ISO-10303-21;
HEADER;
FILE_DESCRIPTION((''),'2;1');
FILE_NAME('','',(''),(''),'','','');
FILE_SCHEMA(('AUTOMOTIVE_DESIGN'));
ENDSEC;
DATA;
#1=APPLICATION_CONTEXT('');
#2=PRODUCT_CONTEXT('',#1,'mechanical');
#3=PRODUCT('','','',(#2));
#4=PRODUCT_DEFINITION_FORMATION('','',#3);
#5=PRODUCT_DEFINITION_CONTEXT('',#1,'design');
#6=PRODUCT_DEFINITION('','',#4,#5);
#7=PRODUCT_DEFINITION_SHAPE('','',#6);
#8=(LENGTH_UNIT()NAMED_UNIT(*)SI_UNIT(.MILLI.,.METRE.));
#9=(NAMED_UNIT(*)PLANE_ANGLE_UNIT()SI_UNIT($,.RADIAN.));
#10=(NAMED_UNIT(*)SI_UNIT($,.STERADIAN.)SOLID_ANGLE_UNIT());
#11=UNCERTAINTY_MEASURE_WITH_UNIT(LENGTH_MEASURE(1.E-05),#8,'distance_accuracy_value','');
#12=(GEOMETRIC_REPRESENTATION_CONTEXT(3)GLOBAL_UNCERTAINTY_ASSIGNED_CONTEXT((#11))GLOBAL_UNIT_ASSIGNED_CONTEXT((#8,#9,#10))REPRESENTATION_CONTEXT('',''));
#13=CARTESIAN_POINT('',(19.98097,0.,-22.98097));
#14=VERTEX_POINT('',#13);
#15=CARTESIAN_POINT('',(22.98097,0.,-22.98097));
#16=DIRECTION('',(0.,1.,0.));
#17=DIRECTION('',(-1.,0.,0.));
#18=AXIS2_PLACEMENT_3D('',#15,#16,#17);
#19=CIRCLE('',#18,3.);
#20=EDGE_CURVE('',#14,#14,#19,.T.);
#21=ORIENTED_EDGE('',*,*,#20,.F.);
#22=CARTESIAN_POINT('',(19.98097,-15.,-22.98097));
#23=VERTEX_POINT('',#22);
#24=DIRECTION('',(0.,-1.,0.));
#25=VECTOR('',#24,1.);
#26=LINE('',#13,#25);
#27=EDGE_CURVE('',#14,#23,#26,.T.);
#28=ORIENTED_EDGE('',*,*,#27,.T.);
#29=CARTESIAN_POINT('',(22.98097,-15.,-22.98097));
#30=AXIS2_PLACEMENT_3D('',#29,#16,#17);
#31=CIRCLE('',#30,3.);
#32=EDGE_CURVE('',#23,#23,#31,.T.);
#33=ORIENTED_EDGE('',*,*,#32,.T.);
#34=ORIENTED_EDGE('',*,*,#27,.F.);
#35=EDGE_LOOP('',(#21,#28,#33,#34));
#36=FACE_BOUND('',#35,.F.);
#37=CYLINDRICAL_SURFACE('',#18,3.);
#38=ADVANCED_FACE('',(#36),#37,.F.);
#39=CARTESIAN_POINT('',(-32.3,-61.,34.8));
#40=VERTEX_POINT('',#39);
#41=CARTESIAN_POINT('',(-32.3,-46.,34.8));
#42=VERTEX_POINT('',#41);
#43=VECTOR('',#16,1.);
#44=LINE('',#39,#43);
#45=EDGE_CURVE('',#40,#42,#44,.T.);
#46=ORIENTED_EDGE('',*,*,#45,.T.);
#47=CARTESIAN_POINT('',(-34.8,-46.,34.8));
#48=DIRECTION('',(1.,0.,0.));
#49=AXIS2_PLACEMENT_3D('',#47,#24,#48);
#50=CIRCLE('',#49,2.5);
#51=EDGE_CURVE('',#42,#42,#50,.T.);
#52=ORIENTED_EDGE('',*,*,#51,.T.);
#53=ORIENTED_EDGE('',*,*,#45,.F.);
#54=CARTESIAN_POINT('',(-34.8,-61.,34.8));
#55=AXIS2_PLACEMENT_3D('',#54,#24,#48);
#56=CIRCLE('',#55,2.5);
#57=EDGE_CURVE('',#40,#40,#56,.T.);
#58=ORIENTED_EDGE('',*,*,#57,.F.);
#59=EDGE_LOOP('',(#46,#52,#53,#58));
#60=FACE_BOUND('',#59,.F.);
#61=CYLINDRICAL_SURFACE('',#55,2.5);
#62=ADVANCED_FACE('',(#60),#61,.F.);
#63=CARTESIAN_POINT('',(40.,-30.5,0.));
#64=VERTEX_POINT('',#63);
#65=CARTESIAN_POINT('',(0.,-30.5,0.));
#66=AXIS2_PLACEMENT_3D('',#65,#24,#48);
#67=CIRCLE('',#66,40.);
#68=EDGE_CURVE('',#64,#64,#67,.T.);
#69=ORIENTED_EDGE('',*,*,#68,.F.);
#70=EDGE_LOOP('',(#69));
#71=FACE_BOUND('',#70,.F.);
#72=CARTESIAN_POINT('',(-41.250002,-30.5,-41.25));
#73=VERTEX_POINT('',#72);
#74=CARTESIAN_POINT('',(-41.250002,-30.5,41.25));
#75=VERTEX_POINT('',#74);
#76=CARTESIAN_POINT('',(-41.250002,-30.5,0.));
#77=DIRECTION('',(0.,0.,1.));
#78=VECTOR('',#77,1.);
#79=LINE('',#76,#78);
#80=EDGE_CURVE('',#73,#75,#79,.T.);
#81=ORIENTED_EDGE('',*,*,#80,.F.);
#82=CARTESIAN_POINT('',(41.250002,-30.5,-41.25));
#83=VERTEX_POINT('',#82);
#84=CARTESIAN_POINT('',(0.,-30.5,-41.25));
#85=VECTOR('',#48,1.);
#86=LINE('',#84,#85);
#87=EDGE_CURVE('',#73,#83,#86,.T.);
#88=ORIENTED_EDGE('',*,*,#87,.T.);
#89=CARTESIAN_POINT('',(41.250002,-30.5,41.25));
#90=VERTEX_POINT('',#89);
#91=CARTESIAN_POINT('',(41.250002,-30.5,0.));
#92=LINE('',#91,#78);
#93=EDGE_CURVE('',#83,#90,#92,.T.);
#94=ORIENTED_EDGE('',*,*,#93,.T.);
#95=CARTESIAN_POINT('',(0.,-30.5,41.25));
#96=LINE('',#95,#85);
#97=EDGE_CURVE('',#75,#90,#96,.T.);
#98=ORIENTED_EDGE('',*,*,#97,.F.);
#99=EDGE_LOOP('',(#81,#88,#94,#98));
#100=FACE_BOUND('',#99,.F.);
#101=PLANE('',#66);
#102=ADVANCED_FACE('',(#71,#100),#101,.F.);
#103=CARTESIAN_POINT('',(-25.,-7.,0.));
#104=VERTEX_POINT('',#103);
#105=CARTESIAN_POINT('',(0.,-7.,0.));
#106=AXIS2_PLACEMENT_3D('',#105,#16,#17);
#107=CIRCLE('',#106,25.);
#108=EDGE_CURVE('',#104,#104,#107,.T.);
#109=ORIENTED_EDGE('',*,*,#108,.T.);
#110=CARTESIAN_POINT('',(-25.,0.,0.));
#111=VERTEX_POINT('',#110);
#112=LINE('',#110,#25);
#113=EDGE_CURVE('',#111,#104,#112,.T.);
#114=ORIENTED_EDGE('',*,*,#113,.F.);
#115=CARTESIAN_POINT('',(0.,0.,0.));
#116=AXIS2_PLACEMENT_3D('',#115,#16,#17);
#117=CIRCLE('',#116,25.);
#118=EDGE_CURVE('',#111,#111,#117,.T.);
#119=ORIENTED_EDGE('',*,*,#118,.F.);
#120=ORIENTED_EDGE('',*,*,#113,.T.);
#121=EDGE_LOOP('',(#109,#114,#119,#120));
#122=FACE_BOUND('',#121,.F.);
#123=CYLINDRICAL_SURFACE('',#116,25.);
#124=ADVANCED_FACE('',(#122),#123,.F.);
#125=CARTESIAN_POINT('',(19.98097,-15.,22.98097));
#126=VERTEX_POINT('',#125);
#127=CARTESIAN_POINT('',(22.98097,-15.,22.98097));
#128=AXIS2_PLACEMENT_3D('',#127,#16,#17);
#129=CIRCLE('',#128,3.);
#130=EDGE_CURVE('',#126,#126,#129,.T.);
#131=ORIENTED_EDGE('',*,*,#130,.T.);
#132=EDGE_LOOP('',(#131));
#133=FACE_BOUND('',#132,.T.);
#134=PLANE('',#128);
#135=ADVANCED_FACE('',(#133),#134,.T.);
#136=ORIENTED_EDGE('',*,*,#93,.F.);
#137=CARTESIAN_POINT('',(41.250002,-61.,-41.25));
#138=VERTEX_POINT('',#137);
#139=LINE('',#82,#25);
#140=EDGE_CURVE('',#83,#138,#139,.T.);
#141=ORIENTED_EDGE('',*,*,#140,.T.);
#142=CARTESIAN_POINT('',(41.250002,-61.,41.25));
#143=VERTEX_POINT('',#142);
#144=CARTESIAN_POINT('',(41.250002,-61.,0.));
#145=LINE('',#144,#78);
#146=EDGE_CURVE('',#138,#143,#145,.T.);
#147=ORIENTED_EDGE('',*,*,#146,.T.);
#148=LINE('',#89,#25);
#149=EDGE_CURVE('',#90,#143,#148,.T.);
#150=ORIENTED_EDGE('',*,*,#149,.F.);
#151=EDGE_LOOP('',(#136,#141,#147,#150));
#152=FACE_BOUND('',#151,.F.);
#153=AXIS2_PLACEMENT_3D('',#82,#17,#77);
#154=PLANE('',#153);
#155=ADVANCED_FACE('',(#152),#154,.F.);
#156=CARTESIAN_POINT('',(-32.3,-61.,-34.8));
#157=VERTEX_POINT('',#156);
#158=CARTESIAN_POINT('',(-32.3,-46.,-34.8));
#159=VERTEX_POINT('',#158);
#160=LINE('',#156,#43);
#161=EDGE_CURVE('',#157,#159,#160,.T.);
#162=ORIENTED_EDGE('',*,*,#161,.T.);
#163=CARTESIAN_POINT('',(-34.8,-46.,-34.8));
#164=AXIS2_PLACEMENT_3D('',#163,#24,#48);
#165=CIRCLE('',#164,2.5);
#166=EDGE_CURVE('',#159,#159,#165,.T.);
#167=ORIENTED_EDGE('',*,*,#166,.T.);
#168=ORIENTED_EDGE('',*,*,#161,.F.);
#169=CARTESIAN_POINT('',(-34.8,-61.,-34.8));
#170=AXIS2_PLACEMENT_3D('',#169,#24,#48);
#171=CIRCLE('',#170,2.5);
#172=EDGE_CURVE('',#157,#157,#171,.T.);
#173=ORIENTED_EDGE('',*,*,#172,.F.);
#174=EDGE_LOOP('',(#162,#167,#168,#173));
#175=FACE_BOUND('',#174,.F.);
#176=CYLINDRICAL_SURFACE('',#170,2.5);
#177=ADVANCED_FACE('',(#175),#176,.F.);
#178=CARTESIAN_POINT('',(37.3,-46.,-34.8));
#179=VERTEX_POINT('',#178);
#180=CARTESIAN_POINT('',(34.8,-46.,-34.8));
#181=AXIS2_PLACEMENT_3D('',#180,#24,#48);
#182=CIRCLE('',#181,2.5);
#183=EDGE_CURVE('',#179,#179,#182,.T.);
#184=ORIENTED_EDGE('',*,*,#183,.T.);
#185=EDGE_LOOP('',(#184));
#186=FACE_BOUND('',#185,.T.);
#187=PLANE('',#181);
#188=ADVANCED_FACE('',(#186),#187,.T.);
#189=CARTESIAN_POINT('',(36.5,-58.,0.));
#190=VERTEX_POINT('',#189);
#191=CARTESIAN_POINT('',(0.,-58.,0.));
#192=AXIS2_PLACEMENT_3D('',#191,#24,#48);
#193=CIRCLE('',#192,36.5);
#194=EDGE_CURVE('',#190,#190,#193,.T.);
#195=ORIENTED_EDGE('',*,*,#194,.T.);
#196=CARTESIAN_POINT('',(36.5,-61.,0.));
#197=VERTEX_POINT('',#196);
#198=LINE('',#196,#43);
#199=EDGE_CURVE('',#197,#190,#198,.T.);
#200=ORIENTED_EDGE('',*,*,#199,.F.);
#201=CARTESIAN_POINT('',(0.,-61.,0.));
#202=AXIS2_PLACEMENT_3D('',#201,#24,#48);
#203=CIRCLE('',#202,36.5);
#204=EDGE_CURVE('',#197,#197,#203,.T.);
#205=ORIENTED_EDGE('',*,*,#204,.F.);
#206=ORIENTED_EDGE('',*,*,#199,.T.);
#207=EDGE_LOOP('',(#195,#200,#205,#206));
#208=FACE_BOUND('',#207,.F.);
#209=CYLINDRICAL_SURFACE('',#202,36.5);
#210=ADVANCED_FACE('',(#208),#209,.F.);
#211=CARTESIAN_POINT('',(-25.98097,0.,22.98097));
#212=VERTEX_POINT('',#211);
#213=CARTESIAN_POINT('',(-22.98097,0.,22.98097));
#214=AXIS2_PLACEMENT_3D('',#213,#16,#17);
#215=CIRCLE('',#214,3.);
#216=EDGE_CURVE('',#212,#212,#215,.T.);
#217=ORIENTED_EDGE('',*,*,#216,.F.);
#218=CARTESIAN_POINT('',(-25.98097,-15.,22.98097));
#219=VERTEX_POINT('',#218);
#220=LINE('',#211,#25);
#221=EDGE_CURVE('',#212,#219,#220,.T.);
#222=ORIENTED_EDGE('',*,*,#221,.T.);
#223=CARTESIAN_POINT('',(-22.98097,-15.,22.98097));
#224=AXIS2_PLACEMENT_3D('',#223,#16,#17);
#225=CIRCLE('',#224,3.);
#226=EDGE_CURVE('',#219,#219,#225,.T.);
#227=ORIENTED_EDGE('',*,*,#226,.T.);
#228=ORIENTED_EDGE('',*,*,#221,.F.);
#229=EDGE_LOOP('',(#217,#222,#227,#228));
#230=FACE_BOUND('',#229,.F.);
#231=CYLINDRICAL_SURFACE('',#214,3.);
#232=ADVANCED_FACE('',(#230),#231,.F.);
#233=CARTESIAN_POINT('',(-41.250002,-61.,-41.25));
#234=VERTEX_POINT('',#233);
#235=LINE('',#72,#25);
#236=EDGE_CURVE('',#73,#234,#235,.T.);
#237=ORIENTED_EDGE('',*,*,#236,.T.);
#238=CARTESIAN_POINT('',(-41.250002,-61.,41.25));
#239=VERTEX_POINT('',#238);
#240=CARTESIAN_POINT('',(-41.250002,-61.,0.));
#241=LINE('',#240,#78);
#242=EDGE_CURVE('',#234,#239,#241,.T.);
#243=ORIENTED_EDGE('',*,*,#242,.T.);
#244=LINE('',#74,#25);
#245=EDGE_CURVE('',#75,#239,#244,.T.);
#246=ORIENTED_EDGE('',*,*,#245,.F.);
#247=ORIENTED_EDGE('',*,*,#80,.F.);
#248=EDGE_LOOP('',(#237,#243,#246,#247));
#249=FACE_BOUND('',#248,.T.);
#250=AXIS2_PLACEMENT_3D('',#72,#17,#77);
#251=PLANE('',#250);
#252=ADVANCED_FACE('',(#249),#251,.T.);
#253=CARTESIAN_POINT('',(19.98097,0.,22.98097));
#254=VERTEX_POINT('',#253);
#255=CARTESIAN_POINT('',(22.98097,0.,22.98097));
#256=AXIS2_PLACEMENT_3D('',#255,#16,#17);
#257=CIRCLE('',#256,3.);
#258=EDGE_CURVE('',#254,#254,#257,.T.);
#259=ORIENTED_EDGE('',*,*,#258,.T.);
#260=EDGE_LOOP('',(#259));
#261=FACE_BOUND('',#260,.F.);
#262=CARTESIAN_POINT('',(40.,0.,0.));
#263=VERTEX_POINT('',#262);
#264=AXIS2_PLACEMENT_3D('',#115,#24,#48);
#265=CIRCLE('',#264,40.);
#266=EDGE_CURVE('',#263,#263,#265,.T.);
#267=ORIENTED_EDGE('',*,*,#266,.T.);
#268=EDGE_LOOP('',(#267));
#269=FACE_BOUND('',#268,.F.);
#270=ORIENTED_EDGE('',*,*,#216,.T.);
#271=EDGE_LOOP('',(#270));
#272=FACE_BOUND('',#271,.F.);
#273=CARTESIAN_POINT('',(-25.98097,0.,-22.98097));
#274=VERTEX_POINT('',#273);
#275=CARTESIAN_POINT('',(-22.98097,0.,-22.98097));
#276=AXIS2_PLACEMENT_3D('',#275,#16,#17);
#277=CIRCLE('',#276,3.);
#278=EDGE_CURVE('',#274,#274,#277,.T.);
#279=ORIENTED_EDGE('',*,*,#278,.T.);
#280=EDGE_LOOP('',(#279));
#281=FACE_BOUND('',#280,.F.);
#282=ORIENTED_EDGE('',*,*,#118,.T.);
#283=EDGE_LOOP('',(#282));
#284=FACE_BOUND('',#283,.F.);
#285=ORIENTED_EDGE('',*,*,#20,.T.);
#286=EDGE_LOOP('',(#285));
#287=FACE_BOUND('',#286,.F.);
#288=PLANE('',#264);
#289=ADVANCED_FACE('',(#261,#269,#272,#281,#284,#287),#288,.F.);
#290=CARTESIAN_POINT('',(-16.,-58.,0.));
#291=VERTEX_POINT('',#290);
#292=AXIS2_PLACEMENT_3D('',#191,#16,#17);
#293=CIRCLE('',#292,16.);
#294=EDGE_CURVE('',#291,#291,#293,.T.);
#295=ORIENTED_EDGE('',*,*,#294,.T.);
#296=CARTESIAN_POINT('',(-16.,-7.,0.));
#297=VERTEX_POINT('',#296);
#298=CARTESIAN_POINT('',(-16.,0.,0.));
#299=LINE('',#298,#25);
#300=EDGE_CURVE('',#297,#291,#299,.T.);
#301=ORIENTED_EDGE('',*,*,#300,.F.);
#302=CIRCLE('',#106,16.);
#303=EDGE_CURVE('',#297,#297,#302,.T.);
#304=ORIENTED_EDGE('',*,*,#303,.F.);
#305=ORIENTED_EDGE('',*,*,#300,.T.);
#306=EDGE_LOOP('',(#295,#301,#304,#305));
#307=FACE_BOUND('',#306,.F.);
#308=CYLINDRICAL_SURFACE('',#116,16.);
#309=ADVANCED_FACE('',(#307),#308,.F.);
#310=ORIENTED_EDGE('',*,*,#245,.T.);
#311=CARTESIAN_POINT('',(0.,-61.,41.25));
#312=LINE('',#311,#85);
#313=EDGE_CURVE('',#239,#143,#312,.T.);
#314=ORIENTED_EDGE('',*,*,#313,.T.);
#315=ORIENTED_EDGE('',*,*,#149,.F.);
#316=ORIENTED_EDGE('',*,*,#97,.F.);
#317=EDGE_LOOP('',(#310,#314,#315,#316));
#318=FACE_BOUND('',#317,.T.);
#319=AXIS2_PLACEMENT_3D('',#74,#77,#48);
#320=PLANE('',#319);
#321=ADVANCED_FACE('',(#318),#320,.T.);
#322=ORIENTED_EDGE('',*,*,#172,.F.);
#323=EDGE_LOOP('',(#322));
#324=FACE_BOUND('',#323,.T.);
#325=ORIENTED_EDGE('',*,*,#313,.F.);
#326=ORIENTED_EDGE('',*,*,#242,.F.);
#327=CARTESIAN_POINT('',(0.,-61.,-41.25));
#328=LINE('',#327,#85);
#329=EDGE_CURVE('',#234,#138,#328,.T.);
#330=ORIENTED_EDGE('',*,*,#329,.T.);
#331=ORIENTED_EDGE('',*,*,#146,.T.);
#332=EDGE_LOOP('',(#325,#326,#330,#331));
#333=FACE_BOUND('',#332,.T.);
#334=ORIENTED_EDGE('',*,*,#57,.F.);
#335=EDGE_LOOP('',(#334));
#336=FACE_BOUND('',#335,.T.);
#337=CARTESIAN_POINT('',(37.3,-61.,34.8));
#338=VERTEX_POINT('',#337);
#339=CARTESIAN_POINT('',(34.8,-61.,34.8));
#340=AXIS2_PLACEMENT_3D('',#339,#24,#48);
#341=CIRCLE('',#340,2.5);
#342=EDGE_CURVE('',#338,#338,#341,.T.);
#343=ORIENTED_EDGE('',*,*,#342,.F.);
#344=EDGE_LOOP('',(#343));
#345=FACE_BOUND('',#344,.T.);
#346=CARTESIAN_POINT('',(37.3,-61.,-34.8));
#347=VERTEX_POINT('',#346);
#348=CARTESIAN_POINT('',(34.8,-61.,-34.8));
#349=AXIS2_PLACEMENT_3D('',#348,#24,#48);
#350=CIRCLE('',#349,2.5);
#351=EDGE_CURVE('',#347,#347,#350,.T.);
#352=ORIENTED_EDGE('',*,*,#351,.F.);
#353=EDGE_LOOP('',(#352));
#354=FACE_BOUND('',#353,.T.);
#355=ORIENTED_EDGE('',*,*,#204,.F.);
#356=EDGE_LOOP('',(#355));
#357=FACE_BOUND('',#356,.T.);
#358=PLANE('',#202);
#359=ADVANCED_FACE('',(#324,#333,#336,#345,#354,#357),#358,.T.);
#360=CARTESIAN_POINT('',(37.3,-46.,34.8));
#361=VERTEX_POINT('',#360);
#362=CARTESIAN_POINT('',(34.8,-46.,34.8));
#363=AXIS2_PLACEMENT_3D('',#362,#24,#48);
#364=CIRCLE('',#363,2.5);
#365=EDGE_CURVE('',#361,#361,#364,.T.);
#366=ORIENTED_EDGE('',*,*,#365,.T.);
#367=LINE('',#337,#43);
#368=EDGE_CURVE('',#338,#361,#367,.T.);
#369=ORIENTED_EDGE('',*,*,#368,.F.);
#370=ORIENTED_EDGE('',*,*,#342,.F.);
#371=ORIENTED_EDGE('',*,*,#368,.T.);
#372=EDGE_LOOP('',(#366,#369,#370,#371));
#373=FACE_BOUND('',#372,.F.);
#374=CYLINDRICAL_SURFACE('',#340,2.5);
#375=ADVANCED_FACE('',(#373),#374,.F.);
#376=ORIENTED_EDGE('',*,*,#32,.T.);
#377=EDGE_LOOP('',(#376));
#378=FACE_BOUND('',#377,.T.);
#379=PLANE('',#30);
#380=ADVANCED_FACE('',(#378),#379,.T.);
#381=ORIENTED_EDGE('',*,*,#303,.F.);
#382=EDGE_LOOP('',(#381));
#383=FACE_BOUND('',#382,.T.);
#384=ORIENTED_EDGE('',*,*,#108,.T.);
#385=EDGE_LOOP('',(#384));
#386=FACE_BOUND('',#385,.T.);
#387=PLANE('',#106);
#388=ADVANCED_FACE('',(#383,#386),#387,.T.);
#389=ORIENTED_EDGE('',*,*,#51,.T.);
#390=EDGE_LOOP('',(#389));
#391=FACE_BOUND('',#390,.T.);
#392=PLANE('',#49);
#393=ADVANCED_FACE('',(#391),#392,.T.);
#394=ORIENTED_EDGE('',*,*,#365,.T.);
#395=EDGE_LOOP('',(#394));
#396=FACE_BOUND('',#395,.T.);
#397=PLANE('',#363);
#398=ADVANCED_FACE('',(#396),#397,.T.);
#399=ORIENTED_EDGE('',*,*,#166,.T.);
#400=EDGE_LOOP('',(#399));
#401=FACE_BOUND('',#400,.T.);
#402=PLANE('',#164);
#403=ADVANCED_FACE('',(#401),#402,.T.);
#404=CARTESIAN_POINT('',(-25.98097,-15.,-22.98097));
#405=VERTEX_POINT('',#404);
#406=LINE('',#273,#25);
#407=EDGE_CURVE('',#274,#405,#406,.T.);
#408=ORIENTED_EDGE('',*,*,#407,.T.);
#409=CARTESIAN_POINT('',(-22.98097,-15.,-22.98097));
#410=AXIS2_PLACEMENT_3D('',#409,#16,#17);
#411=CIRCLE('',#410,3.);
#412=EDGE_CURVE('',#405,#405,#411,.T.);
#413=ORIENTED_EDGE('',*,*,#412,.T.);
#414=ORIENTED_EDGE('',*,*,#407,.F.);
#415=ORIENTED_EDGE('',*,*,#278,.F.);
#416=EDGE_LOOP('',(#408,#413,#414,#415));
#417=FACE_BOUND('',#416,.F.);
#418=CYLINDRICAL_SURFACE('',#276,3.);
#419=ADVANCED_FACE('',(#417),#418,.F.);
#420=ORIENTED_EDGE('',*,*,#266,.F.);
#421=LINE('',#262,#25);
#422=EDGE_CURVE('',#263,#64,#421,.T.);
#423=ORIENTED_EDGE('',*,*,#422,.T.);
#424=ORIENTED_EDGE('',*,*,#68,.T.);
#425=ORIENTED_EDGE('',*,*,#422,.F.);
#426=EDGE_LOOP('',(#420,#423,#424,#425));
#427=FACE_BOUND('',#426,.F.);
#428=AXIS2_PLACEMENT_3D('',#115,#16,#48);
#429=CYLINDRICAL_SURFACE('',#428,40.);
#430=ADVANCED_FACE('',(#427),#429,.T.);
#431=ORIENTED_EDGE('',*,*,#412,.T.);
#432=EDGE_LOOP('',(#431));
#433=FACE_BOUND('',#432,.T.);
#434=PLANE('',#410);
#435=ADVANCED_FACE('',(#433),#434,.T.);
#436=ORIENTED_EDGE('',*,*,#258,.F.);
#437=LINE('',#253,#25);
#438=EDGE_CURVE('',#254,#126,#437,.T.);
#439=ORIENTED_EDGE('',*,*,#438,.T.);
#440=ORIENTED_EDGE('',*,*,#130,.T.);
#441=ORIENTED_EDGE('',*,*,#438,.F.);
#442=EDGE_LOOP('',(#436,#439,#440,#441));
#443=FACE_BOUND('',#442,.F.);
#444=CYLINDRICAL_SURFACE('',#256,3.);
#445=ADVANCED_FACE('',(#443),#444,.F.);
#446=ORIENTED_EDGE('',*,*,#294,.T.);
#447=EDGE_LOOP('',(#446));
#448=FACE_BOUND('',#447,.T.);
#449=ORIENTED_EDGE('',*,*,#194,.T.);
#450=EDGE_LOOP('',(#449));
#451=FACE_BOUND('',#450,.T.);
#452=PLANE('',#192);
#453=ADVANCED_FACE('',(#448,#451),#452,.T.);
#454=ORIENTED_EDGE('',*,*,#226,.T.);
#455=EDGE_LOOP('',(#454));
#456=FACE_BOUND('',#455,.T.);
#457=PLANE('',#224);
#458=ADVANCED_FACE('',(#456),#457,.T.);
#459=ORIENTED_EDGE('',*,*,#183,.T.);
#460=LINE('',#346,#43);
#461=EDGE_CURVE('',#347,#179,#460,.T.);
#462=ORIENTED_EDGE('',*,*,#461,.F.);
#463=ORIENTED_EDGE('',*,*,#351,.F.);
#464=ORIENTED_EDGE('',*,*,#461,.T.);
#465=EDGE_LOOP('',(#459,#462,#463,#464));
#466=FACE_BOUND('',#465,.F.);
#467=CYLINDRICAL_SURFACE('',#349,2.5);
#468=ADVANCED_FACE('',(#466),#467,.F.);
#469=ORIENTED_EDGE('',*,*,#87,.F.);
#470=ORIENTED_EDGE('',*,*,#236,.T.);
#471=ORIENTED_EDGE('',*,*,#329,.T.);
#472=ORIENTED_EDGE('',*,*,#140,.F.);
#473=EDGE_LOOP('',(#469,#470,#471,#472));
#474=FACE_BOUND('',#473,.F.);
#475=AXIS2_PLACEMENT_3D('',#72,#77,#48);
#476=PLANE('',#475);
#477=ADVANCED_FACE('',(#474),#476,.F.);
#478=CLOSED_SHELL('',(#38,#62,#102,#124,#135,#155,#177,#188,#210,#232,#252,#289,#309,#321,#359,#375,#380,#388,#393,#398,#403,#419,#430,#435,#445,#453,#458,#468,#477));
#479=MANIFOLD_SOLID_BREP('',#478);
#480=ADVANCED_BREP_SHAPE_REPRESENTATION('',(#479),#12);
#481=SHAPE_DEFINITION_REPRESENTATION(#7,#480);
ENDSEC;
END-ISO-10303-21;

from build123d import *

# Parameters (mm, degrees)
F0_R      = 40
F1_DEPTH  = 30.5
F2_W      = 82.500003
F2_H      = 82.5
F3_DEPTH  = 30.5
F4_R      = 16
F5_DEPTH  = 61.001
F6_R      = 36.5
F7_DEPTH  = 3
F8_R      = 25
F9_DEPTH  = 7
F10_R     = 2.5
F11_DEPTH = 15
F12_R     = 3
F13_DEPTH = 15


with BuildPart() as f1:
    # F0 (on Front) → F1 (new body)
    with BuildSketch(Plane.XZ):
        Circle(F0_R)
    extrude(amount=F1_DEPTH)

    # F2 (on face) → F3 (join)
    with BuildSketch(Plane.XZ.offset(30.5)):
        with Locations((-1e-06, 0)):
            Rectangle(F2_W, F2_H)
    extrude(amount=F3_DEPTH)

    # F4 (on face) → F5 (cut, through all)
    with BuildSketch(Plane(origin=(0, 0, 0), x_dir=(-1, 0, 0), z_dir=(0, 1, 0))):
        Circle(F4_R)
    extrude(amount=-F5_DEPTH, mode=Mode.SUBTRACT)

    # F6 (on face) → F7 (cut)
    with BuildSketch(Plane.XZ.offset(61)):
        Circle(F6_R)
    extrude(amount=-F7_DEPTH, mode=Mode.SUBTRACT)

    # F8 (on face) → F9 (cut)
    with BuildSketch(Plane(origin=(0, 0, 0), x_dir=(-1, 0, 0), z_dir=(0, 1, 0))):
        Circle(F8_R)
    extrude(amount=-F9_DEPTH, mode=Mode.SUBTRACT)

    # F10 (on face) → F11 (cut)
    with BuildSketch(Plane.XZ.offset(61)):
        with Locations((-34.8, 34.8)):
            Circle(F10_R)
        with Locations((34.8, 34.8)):
            Circle(F10_R)
        with Locations((34.8, -34.8)):
            Circle(F10_R)
        with Locations((-34.8, -34.8)):
            Circle(F10_R)
    extrude(amount=-F11_DEPTH, mode=Mode.SUBTRACT)

    # F12 (on face) → F13 (cut)
    with BuildSketch(Plane(origin=(0, 0, 0), x_dir=(-1, 0, 0), z_dir=(0, 1, 0))):
        with Locations((-22.98097, 22.98097)):
            Circle(F12_R)
        with Locations((-22.98097, -22.98097)):
            Circle(F12_R)
        with Locations((22.98097, -22.98097)):
            Circle(F12_R)
        with Locations((22.98097, 22.98097)):
            Circle(F12_R)
    extrude(amount=-F13_DEPTH, mode=Mode.SUBTRACT)


solid = f1.part
